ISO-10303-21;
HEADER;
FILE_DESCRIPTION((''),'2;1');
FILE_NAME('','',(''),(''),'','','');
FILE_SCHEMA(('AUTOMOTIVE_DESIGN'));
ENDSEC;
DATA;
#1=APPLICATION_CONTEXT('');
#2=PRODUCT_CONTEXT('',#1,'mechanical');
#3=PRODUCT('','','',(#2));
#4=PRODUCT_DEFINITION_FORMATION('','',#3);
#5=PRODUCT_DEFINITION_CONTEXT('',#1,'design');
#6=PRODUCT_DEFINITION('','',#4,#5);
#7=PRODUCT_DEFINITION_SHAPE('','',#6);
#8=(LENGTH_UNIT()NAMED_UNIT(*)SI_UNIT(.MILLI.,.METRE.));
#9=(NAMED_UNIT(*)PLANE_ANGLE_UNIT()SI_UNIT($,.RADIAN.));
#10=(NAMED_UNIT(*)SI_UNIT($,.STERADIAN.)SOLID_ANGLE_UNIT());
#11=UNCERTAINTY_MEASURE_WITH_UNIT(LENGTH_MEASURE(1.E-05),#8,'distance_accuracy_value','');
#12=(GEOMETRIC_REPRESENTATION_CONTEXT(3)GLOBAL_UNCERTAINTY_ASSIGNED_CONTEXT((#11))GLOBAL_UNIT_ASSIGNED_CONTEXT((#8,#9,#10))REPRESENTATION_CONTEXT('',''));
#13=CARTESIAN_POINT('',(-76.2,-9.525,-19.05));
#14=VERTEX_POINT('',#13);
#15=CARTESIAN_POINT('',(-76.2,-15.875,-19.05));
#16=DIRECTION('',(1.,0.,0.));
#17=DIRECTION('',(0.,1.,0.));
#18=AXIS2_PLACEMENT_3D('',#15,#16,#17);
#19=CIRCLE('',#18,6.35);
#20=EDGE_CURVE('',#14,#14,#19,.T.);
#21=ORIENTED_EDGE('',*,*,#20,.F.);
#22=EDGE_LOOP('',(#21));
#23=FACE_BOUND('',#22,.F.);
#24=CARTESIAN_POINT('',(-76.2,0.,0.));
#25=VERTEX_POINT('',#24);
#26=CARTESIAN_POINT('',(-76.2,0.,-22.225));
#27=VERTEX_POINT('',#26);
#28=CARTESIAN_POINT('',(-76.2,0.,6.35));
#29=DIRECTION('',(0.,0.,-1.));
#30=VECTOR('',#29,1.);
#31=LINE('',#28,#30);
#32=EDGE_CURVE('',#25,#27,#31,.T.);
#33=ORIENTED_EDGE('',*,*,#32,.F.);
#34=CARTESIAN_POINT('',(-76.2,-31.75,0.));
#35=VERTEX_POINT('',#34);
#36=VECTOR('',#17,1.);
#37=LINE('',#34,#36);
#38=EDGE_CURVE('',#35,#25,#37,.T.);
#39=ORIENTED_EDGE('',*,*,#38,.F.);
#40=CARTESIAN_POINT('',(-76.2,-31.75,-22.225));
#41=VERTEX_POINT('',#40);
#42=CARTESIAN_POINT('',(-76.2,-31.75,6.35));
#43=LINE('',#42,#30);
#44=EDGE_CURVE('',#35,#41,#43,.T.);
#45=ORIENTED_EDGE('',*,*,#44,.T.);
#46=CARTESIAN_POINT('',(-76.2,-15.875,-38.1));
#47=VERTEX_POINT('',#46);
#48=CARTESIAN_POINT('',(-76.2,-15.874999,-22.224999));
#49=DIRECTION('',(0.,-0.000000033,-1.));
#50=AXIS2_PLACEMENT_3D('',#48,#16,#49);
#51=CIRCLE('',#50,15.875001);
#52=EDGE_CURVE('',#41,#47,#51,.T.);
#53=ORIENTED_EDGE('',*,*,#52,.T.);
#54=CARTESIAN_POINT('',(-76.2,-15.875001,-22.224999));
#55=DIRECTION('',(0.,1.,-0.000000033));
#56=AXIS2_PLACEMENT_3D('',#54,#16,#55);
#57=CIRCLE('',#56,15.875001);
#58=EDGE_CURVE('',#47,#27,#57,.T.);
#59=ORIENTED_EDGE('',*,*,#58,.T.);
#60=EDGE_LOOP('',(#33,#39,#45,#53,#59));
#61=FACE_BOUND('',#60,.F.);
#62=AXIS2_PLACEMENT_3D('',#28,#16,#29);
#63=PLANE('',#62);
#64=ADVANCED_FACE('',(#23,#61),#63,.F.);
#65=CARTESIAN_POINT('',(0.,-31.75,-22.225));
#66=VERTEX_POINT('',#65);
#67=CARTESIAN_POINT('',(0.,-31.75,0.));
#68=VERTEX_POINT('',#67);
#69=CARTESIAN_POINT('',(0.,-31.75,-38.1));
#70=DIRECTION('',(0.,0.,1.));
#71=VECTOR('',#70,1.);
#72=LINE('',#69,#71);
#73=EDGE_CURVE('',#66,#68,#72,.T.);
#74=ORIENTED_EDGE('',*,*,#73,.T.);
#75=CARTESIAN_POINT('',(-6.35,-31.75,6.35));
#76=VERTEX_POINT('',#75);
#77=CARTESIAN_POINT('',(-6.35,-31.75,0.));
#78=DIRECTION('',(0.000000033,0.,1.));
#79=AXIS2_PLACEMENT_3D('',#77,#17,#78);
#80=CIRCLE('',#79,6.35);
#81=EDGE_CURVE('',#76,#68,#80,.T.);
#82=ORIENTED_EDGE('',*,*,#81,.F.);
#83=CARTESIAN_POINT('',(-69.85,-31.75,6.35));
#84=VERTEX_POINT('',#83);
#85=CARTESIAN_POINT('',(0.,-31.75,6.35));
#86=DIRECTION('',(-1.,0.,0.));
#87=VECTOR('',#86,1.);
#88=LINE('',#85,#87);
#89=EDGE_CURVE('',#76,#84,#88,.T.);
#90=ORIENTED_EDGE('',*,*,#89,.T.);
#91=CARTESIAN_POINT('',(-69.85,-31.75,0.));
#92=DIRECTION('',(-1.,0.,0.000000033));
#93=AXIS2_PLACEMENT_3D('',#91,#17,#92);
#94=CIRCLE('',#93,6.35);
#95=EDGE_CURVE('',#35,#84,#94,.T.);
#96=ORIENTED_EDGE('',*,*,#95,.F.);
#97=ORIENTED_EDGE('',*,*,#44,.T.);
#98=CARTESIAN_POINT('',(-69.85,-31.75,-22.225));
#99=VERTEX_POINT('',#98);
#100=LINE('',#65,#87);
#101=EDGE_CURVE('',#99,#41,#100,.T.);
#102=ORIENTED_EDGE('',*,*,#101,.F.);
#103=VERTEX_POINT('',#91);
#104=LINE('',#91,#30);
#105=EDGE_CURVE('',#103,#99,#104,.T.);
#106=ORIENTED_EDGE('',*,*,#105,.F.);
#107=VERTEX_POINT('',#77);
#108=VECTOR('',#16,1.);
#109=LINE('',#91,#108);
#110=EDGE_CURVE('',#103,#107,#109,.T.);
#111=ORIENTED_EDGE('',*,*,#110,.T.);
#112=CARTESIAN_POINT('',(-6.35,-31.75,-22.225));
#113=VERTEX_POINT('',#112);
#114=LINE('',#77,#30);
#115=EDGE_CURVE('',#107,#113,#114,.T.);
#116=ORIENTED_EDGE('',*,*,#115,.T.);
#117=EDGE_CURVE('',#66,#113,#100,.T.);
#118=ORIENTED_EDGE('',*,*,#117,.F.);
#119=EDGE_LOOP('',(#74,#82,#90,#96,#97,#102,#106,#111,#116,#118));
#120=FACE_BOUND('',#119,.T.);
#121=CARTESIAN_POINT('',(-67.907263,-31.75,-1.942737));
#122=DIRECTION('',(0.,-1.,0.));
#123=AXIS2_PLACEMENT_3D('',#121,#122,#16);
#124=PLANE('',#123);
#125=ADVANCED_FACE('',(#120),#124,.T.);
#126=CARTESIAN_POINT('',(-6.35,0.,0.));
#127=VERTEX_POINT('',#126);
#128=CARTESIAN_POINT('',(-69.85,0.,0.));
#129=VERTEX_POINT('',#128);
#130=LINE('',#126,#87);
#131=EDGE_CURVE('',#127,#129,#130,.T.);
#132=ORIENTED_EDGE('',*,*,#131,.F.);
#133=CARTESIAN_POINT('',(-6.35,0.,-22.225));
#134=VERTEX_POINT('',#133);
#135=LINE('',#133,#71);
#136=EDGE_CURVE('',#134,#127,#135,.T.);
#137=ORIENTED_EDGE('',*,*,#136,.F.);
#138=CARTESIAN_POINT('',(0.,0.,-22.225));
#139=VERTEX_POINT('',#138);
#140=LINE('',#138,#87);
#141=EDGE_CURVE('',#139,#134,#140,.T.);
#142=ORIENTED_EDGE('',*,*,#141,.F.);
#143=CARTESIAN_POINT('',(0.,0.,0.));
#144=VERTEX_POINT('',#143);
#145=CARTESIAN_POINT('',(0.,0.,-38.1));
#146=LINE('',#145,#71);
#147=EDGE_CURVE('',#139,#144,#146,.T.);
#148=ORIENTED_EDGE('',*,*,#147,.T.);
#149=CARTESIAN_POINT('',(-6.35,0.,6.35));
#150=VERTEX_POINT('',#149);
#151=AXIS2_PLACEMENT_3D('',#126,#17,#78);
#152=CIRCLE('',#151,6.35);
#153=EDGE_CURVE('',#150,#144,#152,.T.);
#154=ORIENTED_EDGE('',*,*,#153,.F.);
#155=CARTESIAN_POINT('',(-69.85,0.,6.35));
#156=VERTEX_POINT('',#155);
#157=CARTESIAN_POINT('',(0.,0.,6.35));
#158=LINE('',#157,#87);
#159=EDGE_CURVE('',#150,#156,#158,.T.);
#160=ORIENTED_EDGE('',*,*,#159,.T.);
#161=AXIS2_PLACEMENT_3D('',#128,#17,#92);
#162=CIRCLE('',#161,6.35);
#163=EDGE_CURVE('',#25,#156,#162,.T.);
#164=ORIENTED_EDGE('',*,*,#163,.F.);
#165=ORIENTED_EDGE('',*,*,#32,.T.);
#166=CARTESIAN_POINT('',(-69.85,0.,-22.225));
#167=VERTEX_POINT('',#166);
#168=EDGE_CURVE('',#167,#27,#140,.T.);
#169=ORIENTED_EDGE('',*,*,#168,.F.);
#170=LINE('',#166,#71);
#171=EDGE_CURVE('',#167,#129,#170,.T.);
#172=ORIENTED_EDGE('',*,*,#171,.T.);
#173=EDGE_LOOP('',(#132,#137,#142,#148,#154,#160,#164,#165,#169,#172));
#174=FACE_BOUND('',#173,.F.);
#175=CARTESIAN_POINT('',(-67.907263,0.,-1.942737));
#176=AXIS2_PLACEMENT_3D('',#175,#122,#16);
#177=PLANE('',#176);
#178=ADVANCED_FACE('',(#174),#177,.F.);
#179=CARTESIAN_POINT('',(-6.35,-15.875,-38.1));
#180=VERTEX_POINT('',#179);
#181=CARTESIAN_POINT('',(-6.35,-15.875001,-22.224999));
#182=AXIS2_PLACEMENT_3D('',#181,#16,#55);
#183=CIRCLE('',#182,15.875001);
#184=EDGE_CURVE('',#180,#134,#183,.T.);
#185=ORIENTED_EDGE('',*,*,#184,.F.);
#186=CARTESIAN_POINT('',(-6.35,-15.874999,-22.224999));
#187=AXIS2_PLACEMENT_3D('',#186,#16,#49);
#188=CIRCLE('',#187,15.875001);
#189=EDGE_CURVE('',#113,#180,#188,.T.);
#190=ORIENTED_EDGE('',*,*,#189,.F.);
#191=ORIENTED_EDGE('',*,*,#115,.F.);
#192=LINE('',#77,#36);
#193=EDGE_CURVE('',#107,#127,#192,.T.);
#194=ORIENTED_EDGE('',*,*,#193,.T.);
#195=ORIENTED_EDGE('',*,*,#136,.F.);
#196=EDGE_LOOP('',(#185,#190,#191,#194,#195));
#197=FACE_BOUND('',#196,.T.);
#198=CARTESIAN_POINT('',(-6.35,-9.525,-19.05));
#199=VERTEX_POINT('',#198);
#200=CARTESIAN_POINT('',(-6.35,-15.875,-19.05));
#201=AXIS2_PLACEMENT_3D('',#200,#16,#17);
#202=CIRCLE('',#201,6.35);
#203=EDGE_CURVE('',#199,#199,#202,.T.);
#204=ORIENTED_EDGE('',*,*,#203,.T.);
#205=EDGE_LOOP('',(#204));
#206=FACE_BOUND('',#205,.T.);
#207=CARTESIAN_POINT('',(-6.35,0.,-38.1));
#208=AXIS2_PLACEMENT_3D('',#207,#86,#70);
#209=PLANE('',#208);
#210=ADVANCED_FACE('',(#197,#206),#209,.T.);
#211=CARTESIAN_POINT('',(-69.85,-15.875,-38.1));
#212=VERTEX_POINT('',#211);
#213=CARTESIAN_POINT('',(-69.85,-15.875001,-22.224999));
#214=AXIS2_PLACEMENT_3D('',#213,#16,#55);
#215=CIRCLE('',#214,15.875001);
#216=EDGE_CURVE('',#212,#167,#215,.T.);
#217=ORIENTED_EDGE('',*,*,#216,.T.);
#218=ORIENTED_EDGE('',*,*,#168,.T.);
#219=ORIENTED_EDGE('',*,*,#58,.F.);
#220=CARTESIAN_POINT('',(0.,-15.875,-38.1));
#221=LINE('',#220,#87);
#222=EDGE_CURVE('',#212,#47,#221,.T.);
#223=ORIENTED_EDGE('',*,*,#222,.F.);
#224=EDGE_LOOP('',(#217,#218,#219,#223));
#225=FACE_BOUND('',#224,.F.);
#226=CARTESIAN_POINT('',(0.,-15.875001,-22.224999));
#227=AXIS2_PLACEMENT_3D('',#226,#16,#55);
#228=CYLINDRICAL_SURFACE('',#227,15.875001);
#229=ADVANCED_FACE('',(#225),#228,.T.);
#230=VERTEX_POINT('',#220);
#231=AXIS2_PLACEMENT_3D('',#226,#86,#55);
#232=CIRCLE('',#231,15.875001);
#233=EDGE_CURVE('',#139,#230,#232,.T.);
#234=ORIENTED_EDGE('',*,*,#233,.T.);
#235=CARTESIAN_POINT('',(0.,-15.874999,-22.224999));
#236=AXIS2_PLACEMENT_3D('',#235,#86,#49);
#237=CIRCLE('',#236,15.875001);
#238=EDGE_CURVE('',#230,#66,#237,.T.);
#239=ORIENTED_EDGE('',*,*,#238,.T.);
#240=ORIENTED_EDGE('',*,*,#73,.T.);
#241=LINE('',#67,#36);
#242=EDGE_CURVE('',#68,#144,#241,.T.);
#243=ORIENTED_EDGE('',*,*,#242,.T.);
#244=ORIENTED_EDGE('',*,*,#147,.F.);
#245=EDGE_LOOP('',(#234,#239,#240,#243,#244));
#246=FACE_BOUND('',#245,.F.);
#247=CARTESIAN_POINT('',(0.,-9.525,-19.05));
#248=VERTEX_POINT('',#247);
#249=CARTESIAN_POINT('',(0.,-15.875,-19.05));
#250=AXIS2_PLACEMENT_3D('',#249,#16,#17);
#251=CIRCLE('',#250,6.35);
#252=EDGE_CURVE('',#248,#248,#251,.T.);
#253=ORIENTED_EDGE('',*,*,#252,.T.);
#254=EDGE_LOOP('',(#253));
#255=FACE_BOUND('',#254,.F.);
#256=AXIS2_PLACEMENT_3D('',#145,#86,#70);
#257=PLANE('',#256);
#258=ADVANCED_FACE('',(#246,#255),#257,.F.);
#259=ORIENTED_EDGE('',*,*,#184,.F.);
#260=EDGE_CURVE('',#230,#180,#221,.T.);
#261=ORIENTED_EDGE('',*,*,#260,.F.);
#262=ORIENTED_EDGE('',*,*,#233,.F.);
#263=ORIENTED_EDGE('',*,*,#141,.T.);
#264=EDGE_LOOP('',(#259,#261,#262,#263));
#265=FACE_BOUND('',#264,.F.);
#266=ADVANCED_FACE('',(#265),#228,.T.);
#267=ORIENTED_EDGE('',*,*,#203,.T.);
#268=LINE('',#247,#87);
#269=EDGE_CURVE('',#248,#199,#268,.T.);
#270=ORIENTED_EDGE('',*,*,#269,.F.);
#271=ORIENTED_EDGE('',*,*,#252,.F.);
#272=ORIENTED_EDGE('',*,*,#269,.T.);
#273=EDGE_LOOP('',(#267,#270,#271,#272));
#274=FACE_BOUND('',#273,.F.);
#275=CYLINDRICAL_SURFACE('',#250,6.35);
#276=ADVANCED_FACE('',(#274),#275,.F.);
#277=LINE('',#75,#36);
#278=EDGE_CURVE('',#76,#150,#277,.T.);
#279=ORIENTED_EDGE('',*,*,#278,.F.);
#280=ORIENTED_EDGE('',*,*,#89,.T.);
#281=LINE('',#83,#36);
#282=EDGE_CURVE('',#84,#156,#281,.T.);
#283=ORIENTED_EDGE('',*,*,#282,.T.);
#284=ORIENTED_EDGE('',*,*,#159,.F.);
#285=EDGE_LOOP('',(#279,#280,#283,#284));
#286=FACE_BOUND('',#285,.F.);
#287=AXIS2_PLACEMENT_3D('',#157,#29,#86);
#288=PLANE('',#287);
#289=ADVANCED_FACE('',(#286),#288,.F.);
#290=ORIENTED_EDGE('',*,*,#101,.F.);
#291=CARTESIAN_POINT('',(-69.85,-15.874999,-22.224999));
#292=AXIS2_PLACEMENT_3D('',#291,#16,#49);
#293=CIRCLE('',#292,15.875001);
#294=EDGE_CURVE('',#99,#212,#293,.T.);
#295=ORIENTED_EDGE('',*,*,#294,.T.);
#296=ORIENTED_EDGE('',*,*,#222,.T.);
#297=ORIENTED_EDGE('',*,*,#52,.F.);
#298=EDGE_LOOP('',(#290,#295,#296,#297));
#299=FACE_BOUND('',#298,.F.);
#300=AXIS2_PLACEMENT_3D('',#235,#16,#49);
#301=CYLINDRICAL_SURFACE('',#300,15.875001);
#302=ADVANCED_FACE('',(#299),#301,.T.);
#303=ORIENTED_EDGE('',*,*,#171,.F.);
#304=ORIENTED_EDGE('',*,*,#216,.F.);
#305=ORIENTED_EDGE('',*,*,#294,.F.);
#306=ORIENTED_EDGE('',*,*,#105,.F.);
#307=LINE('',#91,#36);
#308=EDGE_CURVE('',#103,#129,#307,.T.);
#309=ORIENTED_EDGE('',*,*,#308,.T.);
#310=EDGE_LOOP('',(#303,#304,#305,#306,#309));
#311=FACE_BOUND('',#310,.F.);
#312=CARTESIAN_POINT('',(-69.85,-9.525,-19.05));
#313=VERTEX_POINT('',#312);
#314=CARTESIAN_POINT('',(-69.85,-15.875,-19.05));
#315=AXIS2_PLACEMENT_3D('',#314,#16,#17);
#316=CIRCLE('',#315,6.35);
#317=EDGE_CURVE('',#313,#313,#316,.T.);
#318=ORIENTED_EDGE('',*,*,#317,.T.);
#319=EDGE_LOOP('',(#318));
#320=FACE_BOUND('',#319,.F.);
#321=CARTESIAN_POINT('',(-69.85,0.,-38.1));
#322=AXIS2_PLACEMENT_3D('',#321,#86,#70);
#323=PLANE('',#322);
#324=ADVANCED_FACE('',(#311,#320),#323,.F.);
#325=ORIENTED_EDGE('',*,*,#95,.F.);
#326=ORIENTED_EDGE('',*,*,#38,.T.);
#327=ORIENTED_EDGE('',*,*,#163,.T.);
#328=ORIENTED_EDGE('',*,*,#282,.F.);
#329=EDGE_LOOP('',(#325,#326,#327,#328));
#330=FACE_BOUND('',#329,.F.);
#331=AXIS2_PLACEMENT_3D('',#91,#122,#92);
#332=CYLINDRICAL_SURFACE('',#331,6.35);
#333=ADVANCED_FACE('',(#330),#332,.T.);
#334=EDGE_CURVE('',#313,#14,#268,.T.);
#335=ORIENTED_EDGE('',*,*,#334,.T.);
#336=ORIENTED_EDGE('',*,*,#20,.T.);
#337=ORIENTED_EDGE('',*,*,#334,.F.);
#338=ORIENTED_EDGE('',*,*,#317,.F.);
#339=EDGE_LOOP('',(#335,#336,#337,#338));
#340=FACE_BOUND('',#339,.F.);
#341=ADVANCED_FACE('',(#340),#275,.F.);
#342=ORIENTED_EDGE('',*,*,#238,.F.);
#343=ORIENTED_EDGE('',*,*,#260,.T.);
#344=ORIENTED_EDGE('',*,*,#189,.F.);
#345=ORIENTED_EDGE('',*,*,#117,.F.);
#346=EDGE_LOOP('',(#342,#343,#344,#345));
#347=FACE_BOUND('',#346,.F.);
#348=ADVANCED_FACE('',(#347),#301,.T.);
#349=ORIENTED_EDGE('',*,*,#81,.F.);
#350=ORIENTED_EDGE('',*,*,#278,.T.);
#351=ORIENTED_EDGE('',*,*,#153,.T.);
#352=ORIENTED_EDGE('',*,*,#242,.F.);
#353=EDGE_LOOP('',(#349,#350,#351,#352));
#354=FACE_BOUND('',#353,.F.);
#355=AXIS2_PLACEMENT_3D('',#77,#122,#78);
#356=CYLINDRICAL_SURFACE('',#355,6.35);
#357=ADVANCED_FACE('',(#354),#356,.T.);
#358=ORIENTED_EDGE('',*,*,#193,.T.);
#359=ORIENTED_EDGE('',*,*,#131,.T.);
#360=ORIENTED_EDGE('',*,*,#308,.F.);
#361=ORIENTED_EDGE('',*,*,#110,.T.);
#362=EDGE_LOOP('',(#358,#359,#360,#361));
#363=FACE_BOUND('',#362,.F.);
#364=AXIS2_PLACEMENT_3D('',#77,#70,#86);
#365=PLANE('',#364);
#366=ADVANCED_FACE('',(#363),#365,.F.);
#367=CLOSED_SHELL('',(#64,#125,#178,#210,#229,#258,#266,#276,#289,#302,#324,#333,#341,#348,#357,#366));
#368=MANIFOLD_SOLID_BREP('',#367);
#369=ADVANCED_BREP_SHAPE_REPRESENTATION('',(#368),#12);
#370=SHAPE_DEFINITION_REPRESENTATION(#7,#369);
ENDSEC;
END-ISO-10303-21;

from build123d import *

# Parameters (mm, degrees)
F0_W     = 6.35
F0_H     = 38.1
F1_DEPTH = 31.75
F2_R     = 6.35
F3_DEPTH = 127
F5_DEPTH = 127
F7_DEPTH = 31.75
F8_DEPTH = 31.75


with BuildPart() as f1:
    # F0 (on Front) → F1 (new body)
    with BuildSketch(Plane.XZ):
        with Locations((-3.175, -19.05)):
            Rectangle(F0_W, F0_H)
        Polygon((-6.35, 0), (0, 0), (0, 6.35), (-76.2, 6.35), (-76.2, 0), (-69.85, 0), align=None)
        with Locations((-73.025, -19.05)):
            Rectangle(F0_W, F0_H)
    extrude(amount=F1_DEPTH)

    # F2 (on face) → F3 (cut)
    with BuildSketch(Plane.YZ):
        with Locations((-15.875, -19.05)):
            Circle(F2_R)
    extrude(amount=-F3_DEPTH, mode=Mode.SUBTRACT)

    # F4 (on face) → F5 (cut)
    with BuildSketch(Plane.YZ):
        with BuildLine():
            ThreePointArc((-15.875, -38.1), (-27.10032, -33.45032), (-31.75, -22.225))
            Line((-31.75, -22.225), (-31.75, -38.1))
            Line((-31.75, -38.1), (-15.875, -38.1))
        make_face()
        with BuildLine():
            Line((0, -38.1), (0, -22.225))
            ThreePointArc((0, -22.225), (-4.64968, -33.45032), (-15.875, -38.1))
            Line((-15.875, -38.1), (0, -38.1))
        make_face()
    extrude(amount=-F5_DEPTH, mode=Mode.SUBTRACT)

    # F6 (on face) → F7 (join)
    with BuildSketch(Plane.XZ.offset(31.75)):
        with BuildLine():
            Line((-63.5, 0), (-69.85, 0))
            Line((-69.85, 0), (-69.85, -6.35))
            ThreePointArc((-69.85, -6.35), (-67.990128, -1.859872), (-63.5, 0))
        make_face()
        with BuildLine():
            Line((-6.35, -6.35), (-6.35, 0))
            Line((-6.35, 0), (-12.7, 0))
            ThreePointArc((-12.7, 0), (-8.209872, -1.859872), (-6.35, -6.35))
        make_face()
    extrude(amount=-F7_DEPTH)

    # F6 (on face) → F8 (cut)
    with BuildSketch(Plane.XZ.offset(31.75)):
        with BuildLine():
            ThreePointArc((-76.2, 0), (-74.340128, 4.490128), (-69.85, 6.35))
            Line((-69.85, 6.35), (-76.2, 6.35))
            Line((-76.2, 6.35), (-76.2, 0))
        make_face()
        with BuildLine():
            Line((0, 6.35), (-6.35, 6.35))
            ThreePointArc((-6.35, 6.35), (-1.859872, 4.490128), (0, 0))
            Line((0, 0), (0, 6.35))
        make_face()
        with BuildLine():
            Line((-63.5, 0), (-69.85, 0))
            Line((-69.85, 0), (-69.85, -6.35))
            ThreePointArc((-69.85, -6.35), (-67.990128, -1.859872), (-63.5, 0))
        make_face()
        with BuildLine():
            Line((-6.35, -6.35), (-6.35, 0))
            Line((-6.35, 0), (-12.7, 0))
            ThreePointArc((-12.7, 0), (-8.209872, -1.859872), (-6.35, -6.35))
        make_face()
    extrude(amount=-F8_DEPTH, mode=Mode.SUBTRACT)


solid = f1.part
